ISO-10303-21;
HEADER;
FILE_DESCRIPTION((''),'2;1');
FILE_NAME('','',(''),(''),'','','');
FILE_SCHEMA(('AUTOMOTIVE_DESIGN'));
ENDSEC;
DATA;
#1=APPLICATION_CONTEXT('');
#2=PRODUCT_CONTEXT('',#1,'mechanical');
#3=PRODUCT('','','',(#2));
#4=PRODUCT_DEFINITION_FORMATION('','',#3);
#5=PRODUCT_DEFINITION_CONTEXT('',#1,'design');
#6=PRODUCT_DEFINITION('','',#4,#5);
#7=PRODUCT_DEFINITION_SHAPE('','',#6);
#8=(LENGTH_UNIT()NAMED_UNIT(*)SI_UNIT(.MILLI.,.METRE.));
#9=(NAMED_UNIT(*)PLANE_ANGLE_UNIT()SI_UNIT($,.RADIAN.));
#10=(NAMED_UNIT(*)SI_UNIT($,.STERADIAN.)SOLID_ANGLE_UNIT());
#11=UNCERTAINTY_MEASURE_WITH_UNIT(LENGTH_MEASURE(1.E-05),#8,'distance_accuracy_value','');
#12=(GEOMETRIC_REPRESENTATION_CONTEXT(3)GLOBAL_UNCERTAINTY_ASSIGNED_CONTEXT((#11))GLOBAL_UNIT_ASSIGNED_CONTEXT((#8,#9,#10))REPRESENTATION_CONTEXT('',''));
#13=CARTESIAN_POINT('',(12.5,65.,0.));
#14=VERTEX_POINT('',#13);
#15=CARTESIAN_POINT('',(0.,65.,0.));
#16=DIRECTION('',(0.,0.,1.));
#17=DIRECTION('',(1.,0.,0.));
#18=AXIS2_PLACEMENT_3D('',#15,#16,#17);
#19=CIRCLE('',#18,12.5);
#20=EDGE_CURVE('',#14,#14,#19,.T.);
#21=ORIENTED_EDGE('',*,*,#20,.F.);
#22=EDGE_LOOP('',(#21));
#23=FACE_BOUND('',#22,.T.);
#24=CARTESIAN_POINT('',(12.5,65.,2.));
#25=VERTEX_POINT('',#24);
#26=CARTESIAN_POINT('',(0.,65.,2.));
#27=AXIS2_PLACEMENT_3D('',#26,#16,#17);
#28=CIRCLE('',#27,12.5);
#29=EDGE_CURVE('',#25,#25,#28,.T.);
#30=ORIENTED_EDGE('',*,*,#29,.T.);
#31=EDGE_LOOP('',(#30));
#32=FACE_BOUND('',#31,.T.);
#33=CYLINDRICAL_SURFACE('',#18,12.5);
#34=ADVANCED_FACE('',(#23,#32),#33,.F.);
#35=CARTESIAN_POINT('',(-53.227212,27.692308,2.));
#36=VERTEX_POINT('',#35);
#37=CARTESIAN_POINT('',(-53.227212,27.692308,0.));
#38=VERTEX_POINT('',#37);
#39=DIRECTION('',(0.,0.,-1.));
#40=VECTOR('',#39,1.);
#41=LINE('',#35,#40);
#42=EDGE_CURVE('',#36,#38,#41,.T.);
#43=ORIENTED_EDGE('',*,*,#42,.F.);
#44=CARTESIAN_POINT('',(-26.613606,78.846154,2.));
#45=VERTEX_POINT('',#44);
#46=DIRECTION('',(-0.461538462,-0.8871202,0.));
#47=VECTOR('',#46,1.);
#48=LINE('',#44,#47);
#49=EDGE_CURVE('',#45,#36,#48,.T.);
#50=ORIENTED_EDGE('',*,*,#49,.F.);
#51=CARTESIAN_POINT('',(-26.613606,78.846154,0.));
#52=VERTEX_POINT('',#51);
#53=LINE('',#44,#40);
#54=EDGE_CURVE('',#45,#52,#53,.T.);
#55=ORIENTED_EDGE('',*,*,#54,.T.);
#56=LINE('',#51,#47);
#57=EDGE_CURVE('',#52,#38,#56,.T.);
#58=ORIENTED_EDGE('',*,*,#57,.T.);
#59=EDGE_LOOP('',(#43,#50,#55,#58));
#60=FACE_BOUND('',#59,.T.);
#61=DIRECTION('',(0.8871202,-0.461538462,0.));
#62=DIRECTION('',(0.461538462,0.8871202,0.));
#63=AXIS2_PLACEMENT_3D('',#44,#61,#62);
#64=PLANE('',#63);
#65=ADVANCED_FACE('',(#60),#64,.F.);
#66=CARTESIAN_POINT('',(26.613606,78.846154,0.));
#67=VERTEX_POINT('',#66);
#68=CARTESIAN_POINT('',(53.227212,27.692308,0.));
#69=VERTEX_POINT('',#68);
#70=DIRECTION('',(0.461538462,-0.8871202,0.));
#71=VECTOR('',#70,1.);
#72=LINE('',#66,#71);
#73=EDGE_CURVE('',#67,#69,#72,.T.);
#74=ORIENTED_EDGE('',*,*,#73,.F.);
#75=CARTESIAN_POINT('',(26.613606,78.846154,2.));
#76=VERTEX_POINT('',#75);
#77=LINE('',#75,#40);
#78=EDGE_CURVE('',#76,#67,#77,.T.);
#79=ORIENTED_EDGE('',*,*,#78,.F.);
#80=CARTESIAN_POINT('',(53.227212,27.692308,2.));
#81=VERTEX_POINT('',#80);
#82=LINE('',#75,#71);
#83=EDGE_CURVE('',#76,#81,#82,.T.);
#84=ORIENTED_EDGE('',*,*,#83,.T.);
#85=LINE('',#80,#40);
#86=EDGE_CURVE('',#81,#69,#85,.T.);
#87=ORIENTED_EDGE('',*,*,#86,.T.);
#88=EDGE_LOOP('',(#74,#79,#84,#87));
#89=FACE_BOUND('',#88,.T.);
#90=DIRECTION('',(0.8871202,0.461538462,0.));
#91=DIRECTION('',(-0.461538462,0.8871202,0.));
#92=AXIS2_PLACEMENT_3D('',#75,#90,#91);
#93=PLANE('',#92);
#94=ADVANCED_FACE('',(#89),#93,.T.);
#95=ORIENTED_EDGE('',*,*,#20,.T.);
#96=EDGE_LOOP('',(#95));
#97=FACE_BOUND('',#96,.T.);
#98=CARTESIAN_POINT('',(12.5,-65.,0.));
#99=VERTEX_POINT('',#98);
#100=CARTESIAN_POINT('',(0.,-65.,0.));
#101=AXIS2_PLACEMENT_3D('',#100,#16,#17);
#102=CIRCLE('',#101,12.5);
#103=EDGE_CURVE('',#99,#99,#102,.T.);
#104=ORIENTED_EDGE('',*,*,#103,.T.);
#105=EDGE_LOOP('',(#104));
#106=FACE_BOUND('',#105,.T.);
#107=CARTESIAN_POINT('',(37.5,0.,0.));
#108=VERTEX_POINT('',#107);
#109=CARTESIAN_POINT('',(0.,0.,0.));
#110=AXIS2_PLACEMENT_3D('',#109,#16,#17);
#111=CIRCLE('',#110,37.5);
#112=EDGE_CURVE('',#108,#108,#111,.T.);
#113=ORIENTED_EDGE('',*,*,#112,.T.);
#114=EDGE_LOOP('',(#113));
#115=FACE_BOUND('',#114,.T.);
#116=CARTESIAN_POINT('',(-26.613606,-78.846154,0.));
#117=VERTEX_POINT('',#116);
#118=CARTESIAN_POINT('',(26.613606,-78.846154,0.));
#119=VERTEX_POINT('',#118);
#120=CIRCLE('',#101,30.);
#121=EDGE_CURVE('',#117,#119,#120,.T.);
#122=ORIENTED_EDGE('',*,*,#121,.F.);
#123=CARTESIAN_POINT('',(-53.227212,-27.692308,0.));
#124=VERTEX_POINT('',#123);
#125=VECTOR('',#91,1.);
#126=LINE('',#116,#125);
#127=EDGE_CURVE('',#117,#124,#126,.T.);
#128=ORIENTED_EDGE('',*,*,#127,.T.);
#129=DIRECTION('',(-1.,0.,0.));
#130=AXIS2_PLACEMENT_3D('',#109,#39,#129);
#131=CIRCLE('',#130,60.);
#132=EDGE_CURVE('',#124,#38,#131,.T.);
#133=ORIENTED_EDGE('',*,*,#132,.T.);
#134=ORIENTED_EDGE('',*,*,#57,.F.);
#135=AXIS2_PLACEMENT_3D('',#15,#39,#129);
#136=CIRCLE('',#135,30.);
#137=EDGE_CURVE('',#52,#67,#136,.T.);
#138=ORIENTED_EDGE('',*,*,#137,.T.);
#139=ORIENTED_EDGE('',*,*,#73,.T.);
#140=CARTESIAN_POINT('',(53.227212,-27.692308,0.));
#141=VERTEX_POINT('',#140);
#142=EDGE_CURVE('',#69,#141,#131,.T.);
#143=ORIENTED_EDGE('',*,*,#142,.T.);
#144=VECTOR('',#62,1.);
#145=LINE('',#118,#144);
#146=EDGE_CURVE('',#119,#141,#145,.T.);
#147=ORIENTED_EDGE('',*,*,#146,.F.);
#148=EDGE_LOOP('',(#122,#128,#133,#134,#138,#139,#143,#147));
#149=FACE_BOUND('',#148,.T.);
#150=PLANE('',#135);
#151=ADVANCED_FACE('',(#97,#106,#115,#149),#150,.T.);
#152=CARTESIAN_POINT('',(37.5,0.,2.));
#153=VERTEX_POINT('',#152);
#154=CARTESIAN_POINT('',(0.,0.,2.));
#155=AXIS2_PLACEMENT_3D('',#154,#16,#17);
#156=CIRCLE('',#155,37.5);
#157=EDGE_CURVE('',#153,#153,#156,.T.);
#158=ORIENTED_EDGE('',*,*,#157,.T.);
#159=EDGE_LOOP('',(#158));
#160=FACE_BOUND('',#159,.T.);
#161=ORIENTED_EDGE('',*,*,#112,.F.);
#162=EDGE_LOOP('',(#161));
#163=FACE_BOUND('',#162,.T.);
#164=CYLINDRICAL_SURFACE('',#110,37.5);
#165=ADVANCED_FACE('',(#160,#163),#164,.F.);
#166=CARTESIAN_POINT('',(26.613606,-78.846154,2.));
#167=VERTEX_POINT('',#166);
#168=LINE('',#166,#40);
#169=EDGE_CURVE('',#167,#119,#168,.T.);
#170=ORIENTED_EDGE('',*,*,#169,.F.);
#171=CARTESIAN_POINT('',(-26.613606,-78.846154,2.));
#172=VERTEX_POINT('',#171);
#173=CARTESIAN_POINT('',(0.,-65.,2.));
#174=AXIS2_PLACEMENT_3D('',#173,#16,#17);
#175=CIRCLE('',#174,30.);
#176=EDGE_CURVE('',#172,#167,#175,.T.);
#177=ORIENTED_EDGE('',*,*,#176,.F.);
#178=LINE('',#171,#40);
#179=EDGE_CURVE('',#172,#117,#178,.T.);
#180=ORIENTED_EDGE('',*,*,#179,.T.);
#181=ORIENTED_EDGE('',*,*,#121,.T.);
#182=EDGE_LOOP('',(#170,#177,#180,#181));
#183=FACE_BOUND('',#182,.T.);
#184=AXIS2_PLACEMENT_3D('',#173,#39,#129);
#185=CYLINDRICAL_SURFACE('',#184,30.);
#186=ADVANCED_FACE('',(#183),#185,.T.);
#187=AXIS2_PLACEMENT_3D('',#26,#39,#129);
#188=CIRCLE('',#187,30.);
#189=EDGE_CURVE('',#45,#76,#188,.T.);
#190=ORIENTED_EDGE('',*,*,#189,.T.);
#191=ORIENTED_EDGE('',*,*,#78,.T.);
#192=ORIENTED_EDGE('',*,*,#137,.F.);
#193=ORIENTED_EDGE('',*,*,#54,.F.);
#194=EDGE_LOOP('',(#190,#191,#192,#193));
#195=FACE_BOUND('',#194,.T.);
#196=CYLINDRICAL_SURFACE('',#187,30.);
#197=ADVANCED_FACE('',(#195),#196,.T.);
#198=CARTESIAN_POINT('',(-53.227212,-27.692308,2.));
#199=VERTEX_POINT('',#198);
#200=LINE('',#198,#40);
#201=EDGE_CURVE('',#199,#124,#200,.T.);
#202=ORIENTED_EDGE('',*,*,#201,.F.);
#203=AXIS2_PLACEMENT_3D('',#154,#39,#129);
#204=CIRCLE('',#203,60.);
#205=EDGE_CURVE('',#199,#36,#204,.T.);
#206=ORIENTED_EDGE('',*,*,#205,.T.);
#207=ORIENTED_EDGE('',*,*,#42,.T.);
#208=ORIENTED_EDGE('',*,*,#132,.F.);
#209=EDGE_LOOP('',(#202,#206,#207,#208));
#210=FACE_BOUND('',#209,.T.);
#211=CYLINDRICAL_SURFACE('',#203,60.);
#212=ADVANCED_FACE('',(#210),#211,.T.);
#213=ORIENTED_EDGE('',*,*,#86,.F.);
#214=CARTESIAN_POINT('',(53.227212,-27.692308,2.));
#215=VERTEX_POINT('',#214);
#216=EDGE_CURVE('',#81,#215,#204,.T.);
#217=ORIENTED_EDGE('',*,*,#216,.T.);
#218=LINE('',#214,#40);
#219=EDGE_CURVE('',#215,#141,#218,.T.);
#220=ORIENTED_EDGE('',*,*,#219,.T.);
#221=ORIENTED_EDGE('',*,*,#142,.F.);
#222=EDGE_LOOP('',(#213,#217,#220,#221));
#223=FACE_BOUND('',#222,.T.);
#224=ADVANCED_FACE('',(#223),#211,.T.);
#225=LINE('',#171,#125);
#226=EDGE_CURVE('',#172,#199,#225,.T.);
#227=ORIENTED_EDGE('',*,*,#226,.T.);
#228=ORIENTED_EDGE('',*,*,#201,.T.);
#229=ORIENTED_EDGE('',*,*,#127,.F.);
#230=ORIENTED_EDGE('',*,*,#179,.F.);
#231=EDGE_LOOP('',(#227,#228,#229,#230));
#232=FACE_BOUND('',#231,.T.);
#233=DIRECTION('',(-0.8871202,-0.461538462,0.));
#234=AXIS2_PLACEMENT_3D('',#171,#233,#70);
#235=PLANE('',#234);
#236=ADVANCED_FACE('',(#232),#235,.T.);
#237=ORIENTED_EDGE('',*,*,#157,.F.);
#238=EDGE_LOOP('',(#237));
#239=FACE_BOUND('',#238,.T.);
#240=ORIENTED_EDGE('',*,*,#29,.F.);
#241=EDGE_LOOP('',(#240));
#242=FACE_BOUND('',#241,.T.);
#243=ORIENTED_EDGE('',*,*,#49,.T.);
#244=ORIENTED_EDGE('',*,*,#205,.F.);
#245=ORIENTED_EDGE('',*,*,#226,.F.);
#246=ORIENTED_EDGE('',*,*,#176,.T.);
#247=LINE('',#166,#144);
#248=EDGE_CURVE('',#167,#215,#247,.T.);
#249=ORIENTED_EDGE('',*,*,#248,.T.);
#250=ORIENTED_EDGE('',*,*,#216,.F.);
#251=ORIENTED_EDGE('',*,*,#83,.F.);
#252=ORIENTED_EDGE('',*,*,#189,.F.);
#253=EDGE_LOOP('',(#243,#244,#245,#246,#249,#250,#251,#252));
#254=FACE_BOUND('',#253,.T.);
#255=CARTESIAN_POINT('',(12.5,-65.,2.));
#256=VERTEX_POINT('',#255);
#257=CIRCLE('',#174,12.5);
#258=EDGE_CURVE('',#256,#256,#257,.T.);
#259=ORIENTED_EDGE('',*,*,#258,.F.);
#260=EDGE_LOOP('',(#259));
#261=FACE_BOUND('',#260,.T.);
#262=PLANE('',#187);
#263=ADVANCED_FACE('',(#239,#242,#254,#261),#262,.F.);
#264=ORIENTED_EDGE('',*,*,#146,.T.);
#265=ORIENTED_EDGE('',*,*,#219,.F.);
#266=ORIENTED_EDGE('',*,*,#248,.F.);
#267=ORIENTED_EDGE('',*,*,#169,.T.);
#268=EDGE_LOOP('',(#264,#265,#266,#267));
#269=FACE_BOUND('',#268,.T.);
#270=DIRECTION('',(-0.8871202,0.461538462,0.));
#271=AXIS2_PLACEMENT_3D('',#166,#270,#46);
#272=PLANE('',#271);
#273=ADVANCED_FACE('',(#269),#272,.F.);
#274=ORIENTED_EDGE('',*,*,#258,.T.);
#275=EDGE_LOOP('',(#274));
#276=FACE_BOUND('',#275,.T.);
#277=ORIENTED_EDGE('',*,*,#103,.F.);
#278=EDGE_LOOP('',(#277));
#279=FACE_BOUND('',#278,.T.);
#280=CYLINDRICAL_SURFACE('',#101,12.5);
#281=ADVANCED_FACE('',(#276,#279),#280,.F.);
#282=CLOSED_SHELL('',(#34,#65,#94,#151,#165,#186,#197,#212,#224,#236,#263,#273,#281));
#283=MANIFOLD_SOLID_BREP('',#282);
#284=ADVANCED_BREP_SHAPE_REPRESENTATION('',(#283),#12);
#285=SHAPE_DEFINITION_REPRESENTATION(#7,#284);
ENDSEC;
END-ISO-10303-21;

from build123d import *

# Parameters (mm, degrees)
MAIN_DEPTH  = 2
SKETCH2_R   = 12.5
SKETCH2_R_2 = 37.5
HOLES_DEPTH = 113.378823628


with BuildPart() as part:
    # Sketch1 → Main (new body)
    with BuildSketch(Plane.XY):
        with BuildLine():
            Line((26.613605988, 78.846153846), (53.227211975, 27.692307692))
            ThreePointArc((53.227211975, 27.692307692), (60, 0), (53.227211975, -27.692307692))
            Line((53.227211975, -27.692307692), (26.613605988, -78.846153846))
            ThreePointArc((26.613605988, -78.846153846), (0, -95), (-26.613605988, -78.846153846))
            Line((-26.613605988, -78.846153846), (-53.227211975, -27.692307692))
            ThreePointArc((-53.227211975, -27.692307692), (-60, 0), (-53.227211975, 27.692307692))
            Line((-53.227211975, 27.692307692), (-26.613605988, 78.846153846))
            ThreePointArc((-26.613605988, 78.846153846), (0, 95), (26.613605988, 78.846153846))
        make_face()
    extrude(amount=MAIN_DEPTH)

    # Sketch2 → Holes (cut, through all)
    with BuildSketch(Plane.XY.offset(2)):
        with Locations((0, 65)):
            Circle(SKETCH2_R)
        with Locations((0, -65)):
            Circle(SKETCH2_R)
        Circle(SKETCH2_R_2)
    extrude(amount=-HOLES_DEPTH, mode=Mode.SUBTRACT)


solid = part.part
